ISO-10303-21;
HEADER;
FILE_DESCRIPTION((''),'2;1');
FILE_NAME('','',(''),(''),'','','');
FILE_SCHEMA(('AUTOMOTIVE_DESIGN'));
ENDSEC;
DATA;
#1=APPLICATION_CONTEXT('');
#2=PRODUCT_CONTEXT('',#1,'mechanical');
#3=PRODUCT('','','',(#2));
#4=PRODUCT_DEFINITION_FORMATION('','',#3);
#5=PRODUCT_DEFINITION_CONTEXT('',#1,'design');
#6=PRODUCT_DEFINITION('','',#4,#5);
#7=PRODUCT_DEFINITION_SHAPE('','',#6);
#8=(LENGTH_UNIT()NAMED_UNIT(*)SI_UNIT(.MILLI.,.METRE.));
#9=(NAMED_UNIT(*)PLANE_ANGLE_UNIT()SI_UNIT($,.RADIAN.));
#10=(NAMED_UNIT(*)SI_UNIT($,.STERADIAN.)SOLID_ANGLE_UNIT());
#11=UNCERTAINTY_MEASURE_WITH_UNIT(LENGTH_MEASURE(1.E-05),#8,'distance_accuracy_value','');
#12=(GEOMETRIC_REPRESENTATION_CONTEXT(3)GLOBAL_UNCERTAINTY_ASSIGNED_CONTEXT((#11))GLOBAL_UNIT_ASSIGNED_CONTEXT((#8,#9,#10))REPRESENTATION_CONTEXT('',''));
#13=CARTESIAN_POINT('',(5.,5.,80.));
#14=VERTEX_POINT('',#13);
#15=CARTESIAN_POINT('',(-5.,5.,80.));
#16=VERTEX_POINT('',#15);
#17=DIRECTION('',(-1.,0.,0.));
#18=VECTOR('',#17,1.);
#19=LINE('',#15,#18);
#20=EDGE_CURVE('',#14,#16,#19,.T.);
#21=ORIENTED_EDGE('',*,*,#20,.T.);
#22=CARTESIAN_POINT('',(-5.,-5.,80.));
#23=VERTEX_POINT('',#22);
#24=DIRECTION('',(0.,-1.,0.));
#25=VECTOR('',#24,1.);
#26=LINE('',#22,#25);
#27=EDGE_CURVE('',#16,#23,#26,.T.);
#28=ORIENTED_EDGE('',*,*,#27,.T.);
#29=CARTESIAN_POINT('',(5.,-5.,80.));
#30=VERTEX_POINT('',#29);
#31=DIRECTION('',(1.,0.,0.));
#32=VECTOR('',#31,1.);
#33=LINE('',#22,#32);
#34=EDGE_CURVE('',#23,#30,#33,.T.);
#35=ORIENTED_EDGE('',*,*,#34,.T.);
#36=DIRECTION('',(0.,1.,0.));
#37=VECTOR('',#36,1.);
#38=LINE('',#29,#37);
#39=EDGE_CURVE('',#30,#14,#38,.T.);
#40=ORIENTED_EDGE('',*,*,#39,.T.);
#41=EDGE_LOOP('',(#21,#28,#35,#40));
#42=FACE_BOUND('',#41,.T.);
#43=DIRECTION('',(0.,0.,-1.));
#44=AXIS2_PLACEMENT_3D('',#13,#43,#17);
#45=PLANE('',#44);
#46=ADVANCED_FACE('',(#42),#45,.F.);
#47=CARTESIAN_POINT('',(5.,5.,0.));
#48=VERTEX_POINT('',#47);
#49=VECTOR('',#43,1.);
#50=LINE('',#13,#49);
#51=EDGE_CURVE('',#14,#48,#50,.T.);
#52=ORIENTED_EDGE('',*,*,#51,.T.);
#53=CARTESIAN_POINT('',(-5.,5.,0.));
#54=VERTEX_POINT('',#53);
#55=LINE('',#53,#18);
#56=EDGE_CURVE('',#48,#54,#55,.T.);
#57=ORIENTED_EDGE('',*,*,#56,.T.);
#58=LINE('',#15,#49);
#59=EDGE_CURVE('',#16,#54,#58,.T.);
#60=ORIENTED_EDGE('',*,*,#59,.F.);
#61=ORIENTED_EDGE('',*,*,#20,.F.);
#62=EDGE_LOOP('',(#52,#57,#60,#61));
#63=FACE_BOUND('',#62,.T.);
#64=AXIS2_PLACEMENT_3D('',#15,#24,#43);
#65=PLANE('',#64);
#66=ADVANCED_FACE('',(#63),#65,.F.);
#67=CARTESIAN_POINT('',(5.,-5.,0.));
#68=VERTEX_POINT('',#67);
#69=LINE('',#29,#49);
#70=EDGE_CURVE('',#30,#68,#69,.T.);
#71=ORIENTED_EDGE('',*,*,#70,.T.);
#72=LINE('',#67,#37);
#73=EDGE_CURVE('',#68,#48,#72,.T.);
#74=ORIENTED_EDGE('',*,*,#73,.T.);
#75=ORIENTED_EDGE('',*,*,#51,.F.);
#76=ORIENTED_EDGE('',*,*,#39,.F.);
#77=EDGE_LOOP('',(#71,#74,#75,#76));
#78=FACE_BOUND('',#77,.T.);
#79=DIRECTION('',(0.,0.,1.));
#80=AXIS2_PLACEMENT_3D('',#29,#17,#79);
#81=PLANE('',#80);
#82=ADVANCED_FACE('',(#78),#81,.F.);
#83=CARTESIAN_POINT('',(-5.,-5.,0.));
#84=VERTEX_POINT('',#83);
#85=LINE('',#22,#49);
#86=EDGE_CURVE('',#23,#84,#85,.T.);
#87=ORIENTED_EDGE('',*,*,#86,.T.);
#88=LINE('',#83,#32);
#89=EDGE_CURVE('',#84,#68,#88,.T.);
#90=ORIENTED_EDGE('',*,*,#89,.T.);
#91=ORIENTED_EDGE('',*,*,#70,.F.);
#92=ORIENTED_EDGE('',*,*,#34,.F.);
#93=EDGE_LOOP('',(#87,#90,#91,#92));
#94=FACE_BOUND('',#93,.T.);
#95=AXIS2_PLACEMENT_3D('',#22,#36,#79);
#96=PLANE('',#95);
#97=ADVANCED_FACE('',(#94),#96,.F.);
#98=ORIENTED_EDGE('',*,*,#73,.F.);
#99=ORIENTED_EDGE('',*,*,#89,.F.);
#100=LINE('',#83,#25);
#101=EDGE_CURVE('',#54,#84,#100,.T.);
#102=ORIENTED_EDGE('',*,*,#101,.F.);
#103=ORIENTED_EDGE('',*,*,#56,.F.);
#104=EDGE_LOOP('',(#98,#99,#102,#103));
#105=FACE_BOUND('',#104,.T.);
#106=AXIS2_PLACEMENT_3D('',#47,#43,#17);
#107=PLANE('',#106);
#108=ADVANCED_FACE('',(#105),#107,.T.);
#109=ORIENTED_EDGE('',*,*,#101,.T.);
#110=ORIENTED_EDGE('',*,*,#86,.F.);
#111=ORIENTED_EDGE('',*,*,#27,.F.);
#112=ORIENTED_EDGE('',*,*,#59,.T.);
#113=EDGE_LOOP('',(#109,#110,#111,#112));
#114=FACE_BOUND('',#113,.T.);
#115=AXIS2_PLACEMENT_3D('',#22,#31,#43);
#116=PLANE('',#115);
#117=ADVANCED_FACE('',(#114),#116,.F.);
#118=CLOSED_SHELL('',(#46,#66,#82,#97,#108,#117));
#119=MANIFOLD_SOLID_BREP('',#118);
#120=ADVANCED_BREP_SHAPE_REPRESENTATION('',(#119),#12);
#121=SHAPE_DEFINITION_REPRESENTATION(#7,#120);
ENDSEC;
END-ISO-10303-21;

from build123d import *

# Parameters (mm, degrees)
SKETCH1_W           = 10
SKETCH1_H           = 10
BOSS_EXTRUDE1_DEPTH = 80


with BuildPart() as part:
    # Sketch1 → Boss-Extrude1 (new body)
    with BuildSketch(Plane.XY):
        Rectangle(SKETCH1_W, SKETCH1_H)
    extrude(amount=BOSS_EXTRUDE1_DEPTH)


solid = part.part
